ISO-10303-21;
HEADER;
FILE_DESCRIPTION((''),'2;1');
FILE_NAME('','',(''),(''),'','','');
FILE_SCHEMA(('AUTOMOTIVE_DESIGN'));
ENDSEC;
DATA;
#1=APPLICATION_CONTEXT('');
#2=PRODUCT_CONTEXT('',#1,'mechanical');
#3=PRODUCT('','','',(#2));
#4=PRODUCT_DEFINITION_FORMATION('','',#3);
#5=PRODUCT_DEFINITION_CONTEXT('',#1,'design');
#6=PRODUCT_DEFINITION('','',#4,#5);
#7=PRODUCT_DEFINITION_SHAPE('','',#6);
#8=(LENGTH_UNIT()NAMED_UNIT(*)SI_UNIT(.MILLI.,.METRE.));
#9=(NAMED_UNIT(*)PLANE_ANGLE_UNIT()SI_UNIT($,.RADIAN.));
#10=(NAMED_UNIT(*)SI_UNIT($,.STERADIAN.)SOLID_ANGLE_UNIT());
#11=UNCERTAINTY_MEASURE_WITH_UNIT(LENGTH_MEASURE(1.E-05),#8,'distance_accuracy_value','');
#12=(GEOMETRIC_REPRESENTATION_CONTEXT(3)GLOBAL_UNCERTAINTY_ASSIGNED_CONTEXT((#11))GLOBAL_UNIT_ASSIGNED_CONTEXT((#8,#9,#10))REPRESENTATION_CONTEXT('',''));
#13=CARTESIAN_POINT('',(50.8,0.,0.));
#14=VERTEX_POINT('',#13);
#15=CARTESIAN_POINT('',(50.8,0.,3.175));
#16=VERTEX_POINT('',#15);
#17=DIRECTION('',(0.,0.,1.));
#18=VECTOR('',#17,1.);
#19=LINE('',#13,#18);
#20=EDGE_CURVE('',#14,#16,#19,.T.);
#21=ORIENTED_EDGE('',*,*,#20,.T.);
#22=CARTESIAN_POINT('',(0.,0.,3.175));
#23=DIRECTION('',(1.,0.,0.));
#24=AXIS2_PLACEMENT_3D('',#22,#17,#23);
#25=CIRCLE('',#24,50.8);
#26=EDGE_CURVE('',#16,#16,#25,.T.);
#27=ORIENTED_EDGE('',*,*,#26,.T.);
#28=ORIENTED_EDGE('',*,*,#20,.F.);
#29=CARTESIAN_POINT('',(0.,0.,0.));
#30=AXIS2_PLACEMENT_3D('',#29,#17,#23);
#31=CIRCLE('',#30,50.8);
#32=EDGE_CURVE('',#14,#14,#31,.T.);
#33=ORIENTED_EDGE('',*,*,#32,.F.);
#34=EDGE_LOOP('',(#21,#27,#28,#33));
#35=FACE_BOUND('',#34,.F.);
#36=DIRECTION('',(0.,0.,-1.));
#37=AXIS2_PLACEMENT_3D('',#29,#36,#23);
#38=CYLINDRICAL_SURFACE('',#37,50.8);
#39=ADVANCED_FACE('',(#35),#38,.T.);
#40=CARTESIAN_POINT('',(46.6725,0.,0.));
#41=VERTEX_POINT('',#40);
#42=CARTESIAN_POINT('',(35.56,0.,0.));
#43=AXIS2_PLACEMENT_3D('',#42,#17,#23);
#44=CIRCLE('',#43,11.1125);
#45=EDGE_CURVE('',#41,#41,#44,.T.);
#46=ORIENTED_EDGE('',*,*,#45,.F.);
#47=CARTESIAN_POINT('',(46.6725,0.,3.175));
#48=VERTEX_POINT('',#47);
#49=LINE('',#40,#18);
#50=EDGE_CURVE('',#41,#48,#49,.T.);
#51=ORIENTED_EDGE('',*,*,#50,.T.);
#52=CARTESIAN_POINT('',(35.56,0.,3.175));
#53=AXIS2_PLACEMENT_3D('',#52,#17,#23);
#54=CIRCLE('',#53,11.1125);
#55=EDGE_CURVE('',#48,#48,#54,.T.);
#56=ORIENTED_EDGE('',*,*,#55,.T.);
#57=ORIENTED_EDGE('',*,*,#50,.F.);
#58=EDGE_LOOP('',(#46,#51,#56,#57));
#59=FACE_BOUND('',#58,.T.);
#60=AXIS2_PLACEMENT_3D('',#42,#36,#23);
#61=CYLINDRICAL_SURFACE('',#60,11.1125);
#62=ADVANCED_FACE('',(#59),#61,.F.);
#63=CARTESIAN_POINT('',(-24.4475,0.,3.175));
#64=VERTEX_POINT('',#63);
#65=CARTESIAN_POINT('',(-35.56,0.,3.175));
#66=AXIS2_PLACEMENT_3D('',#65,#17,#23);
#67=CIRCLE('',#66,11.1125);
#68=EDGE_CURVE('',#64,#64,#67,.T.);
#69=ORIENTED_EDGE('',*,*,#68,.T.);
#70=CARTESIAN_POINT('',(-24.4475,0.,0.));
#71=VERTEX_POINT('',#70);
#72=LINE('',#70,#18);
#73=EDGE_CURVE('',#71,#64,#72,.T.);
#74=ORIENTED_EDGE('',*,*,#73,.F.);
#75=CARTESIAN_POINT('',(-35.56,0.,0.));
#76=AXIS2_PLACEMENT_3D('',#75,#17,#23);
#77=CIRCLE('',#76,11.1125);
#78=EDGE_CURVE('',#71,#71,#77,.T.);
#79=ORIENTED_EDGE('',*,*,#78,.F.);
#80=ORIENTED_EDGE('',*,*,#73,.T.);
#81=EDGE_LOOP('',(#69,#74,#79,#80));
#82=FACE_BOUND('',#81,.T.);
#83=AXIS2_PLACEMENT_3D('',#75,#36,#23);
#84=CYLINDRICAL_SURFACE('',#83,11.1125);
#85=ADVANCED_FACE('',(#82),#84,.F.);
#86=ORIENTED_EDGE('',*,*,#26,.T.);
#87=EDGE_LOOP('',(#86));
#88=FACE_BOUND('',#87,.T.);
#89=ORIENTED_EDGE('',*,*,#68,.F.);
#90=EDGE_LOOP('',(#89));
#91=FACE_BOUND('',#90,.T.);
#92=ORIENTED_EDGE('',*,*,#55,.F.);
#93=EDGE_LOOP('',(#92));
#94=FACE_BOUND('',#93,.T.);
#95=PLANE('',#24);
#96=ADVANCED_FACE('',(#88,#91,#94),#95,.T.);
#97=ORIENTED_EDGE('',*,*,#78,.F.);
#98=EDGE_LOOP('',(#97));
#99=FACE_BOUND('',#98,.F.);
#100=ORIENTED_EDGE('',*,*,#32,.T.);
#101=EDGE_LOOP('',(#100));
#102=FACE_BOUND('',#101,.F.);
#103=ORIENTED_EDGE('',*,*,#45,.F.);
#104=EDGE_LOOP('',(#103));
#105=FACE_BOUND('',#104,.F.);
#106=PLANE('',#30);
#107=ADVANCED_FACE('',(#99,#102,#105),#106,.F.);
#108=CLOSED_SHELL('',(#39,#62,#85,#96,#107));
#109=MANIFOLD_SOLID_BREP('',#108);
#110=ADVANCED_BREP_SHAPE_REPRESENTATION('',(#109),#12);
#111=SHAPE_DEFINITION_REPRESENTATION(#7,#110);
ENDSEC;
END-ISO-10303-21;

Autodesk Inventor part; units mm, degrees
ref_plane "YZ Plane" through (0, 0, 0) normal (1, 0, 0) x (0, 1, 0)
ref_plane "XZ Plane" through (0, 0, 0) normal (0, 1, 0) x (-1, 0, 0)
ref_plane "XY Plane" through (0, 0, 0) normal (0, 0, 1) x (1, 0, 0)
sketch "Sketch1" plane through (0, 0, 0) normal (0, 0, 1) x (1, 0, 0)
  circle A0 centre (0, 0) radius 50.8
  circle A1 centre (-35.56, 0) radius 11.1125
  circle A2 centre (35.56, 0) radius 11.1125
  line L0 (-35.56, 0) -> (0, 0) construction
  line L1 (0, 0) -> (35.56, 0) construction
  dimension "d0" = 22.225
  dimension "d1" = 22.225
  dimension "d2" = 71.12
  dimension "d3" = 101.6
extrude "Extrusion1" add sketch "Sketch1" along normal blind 3.175
properties part number "main_plate"
